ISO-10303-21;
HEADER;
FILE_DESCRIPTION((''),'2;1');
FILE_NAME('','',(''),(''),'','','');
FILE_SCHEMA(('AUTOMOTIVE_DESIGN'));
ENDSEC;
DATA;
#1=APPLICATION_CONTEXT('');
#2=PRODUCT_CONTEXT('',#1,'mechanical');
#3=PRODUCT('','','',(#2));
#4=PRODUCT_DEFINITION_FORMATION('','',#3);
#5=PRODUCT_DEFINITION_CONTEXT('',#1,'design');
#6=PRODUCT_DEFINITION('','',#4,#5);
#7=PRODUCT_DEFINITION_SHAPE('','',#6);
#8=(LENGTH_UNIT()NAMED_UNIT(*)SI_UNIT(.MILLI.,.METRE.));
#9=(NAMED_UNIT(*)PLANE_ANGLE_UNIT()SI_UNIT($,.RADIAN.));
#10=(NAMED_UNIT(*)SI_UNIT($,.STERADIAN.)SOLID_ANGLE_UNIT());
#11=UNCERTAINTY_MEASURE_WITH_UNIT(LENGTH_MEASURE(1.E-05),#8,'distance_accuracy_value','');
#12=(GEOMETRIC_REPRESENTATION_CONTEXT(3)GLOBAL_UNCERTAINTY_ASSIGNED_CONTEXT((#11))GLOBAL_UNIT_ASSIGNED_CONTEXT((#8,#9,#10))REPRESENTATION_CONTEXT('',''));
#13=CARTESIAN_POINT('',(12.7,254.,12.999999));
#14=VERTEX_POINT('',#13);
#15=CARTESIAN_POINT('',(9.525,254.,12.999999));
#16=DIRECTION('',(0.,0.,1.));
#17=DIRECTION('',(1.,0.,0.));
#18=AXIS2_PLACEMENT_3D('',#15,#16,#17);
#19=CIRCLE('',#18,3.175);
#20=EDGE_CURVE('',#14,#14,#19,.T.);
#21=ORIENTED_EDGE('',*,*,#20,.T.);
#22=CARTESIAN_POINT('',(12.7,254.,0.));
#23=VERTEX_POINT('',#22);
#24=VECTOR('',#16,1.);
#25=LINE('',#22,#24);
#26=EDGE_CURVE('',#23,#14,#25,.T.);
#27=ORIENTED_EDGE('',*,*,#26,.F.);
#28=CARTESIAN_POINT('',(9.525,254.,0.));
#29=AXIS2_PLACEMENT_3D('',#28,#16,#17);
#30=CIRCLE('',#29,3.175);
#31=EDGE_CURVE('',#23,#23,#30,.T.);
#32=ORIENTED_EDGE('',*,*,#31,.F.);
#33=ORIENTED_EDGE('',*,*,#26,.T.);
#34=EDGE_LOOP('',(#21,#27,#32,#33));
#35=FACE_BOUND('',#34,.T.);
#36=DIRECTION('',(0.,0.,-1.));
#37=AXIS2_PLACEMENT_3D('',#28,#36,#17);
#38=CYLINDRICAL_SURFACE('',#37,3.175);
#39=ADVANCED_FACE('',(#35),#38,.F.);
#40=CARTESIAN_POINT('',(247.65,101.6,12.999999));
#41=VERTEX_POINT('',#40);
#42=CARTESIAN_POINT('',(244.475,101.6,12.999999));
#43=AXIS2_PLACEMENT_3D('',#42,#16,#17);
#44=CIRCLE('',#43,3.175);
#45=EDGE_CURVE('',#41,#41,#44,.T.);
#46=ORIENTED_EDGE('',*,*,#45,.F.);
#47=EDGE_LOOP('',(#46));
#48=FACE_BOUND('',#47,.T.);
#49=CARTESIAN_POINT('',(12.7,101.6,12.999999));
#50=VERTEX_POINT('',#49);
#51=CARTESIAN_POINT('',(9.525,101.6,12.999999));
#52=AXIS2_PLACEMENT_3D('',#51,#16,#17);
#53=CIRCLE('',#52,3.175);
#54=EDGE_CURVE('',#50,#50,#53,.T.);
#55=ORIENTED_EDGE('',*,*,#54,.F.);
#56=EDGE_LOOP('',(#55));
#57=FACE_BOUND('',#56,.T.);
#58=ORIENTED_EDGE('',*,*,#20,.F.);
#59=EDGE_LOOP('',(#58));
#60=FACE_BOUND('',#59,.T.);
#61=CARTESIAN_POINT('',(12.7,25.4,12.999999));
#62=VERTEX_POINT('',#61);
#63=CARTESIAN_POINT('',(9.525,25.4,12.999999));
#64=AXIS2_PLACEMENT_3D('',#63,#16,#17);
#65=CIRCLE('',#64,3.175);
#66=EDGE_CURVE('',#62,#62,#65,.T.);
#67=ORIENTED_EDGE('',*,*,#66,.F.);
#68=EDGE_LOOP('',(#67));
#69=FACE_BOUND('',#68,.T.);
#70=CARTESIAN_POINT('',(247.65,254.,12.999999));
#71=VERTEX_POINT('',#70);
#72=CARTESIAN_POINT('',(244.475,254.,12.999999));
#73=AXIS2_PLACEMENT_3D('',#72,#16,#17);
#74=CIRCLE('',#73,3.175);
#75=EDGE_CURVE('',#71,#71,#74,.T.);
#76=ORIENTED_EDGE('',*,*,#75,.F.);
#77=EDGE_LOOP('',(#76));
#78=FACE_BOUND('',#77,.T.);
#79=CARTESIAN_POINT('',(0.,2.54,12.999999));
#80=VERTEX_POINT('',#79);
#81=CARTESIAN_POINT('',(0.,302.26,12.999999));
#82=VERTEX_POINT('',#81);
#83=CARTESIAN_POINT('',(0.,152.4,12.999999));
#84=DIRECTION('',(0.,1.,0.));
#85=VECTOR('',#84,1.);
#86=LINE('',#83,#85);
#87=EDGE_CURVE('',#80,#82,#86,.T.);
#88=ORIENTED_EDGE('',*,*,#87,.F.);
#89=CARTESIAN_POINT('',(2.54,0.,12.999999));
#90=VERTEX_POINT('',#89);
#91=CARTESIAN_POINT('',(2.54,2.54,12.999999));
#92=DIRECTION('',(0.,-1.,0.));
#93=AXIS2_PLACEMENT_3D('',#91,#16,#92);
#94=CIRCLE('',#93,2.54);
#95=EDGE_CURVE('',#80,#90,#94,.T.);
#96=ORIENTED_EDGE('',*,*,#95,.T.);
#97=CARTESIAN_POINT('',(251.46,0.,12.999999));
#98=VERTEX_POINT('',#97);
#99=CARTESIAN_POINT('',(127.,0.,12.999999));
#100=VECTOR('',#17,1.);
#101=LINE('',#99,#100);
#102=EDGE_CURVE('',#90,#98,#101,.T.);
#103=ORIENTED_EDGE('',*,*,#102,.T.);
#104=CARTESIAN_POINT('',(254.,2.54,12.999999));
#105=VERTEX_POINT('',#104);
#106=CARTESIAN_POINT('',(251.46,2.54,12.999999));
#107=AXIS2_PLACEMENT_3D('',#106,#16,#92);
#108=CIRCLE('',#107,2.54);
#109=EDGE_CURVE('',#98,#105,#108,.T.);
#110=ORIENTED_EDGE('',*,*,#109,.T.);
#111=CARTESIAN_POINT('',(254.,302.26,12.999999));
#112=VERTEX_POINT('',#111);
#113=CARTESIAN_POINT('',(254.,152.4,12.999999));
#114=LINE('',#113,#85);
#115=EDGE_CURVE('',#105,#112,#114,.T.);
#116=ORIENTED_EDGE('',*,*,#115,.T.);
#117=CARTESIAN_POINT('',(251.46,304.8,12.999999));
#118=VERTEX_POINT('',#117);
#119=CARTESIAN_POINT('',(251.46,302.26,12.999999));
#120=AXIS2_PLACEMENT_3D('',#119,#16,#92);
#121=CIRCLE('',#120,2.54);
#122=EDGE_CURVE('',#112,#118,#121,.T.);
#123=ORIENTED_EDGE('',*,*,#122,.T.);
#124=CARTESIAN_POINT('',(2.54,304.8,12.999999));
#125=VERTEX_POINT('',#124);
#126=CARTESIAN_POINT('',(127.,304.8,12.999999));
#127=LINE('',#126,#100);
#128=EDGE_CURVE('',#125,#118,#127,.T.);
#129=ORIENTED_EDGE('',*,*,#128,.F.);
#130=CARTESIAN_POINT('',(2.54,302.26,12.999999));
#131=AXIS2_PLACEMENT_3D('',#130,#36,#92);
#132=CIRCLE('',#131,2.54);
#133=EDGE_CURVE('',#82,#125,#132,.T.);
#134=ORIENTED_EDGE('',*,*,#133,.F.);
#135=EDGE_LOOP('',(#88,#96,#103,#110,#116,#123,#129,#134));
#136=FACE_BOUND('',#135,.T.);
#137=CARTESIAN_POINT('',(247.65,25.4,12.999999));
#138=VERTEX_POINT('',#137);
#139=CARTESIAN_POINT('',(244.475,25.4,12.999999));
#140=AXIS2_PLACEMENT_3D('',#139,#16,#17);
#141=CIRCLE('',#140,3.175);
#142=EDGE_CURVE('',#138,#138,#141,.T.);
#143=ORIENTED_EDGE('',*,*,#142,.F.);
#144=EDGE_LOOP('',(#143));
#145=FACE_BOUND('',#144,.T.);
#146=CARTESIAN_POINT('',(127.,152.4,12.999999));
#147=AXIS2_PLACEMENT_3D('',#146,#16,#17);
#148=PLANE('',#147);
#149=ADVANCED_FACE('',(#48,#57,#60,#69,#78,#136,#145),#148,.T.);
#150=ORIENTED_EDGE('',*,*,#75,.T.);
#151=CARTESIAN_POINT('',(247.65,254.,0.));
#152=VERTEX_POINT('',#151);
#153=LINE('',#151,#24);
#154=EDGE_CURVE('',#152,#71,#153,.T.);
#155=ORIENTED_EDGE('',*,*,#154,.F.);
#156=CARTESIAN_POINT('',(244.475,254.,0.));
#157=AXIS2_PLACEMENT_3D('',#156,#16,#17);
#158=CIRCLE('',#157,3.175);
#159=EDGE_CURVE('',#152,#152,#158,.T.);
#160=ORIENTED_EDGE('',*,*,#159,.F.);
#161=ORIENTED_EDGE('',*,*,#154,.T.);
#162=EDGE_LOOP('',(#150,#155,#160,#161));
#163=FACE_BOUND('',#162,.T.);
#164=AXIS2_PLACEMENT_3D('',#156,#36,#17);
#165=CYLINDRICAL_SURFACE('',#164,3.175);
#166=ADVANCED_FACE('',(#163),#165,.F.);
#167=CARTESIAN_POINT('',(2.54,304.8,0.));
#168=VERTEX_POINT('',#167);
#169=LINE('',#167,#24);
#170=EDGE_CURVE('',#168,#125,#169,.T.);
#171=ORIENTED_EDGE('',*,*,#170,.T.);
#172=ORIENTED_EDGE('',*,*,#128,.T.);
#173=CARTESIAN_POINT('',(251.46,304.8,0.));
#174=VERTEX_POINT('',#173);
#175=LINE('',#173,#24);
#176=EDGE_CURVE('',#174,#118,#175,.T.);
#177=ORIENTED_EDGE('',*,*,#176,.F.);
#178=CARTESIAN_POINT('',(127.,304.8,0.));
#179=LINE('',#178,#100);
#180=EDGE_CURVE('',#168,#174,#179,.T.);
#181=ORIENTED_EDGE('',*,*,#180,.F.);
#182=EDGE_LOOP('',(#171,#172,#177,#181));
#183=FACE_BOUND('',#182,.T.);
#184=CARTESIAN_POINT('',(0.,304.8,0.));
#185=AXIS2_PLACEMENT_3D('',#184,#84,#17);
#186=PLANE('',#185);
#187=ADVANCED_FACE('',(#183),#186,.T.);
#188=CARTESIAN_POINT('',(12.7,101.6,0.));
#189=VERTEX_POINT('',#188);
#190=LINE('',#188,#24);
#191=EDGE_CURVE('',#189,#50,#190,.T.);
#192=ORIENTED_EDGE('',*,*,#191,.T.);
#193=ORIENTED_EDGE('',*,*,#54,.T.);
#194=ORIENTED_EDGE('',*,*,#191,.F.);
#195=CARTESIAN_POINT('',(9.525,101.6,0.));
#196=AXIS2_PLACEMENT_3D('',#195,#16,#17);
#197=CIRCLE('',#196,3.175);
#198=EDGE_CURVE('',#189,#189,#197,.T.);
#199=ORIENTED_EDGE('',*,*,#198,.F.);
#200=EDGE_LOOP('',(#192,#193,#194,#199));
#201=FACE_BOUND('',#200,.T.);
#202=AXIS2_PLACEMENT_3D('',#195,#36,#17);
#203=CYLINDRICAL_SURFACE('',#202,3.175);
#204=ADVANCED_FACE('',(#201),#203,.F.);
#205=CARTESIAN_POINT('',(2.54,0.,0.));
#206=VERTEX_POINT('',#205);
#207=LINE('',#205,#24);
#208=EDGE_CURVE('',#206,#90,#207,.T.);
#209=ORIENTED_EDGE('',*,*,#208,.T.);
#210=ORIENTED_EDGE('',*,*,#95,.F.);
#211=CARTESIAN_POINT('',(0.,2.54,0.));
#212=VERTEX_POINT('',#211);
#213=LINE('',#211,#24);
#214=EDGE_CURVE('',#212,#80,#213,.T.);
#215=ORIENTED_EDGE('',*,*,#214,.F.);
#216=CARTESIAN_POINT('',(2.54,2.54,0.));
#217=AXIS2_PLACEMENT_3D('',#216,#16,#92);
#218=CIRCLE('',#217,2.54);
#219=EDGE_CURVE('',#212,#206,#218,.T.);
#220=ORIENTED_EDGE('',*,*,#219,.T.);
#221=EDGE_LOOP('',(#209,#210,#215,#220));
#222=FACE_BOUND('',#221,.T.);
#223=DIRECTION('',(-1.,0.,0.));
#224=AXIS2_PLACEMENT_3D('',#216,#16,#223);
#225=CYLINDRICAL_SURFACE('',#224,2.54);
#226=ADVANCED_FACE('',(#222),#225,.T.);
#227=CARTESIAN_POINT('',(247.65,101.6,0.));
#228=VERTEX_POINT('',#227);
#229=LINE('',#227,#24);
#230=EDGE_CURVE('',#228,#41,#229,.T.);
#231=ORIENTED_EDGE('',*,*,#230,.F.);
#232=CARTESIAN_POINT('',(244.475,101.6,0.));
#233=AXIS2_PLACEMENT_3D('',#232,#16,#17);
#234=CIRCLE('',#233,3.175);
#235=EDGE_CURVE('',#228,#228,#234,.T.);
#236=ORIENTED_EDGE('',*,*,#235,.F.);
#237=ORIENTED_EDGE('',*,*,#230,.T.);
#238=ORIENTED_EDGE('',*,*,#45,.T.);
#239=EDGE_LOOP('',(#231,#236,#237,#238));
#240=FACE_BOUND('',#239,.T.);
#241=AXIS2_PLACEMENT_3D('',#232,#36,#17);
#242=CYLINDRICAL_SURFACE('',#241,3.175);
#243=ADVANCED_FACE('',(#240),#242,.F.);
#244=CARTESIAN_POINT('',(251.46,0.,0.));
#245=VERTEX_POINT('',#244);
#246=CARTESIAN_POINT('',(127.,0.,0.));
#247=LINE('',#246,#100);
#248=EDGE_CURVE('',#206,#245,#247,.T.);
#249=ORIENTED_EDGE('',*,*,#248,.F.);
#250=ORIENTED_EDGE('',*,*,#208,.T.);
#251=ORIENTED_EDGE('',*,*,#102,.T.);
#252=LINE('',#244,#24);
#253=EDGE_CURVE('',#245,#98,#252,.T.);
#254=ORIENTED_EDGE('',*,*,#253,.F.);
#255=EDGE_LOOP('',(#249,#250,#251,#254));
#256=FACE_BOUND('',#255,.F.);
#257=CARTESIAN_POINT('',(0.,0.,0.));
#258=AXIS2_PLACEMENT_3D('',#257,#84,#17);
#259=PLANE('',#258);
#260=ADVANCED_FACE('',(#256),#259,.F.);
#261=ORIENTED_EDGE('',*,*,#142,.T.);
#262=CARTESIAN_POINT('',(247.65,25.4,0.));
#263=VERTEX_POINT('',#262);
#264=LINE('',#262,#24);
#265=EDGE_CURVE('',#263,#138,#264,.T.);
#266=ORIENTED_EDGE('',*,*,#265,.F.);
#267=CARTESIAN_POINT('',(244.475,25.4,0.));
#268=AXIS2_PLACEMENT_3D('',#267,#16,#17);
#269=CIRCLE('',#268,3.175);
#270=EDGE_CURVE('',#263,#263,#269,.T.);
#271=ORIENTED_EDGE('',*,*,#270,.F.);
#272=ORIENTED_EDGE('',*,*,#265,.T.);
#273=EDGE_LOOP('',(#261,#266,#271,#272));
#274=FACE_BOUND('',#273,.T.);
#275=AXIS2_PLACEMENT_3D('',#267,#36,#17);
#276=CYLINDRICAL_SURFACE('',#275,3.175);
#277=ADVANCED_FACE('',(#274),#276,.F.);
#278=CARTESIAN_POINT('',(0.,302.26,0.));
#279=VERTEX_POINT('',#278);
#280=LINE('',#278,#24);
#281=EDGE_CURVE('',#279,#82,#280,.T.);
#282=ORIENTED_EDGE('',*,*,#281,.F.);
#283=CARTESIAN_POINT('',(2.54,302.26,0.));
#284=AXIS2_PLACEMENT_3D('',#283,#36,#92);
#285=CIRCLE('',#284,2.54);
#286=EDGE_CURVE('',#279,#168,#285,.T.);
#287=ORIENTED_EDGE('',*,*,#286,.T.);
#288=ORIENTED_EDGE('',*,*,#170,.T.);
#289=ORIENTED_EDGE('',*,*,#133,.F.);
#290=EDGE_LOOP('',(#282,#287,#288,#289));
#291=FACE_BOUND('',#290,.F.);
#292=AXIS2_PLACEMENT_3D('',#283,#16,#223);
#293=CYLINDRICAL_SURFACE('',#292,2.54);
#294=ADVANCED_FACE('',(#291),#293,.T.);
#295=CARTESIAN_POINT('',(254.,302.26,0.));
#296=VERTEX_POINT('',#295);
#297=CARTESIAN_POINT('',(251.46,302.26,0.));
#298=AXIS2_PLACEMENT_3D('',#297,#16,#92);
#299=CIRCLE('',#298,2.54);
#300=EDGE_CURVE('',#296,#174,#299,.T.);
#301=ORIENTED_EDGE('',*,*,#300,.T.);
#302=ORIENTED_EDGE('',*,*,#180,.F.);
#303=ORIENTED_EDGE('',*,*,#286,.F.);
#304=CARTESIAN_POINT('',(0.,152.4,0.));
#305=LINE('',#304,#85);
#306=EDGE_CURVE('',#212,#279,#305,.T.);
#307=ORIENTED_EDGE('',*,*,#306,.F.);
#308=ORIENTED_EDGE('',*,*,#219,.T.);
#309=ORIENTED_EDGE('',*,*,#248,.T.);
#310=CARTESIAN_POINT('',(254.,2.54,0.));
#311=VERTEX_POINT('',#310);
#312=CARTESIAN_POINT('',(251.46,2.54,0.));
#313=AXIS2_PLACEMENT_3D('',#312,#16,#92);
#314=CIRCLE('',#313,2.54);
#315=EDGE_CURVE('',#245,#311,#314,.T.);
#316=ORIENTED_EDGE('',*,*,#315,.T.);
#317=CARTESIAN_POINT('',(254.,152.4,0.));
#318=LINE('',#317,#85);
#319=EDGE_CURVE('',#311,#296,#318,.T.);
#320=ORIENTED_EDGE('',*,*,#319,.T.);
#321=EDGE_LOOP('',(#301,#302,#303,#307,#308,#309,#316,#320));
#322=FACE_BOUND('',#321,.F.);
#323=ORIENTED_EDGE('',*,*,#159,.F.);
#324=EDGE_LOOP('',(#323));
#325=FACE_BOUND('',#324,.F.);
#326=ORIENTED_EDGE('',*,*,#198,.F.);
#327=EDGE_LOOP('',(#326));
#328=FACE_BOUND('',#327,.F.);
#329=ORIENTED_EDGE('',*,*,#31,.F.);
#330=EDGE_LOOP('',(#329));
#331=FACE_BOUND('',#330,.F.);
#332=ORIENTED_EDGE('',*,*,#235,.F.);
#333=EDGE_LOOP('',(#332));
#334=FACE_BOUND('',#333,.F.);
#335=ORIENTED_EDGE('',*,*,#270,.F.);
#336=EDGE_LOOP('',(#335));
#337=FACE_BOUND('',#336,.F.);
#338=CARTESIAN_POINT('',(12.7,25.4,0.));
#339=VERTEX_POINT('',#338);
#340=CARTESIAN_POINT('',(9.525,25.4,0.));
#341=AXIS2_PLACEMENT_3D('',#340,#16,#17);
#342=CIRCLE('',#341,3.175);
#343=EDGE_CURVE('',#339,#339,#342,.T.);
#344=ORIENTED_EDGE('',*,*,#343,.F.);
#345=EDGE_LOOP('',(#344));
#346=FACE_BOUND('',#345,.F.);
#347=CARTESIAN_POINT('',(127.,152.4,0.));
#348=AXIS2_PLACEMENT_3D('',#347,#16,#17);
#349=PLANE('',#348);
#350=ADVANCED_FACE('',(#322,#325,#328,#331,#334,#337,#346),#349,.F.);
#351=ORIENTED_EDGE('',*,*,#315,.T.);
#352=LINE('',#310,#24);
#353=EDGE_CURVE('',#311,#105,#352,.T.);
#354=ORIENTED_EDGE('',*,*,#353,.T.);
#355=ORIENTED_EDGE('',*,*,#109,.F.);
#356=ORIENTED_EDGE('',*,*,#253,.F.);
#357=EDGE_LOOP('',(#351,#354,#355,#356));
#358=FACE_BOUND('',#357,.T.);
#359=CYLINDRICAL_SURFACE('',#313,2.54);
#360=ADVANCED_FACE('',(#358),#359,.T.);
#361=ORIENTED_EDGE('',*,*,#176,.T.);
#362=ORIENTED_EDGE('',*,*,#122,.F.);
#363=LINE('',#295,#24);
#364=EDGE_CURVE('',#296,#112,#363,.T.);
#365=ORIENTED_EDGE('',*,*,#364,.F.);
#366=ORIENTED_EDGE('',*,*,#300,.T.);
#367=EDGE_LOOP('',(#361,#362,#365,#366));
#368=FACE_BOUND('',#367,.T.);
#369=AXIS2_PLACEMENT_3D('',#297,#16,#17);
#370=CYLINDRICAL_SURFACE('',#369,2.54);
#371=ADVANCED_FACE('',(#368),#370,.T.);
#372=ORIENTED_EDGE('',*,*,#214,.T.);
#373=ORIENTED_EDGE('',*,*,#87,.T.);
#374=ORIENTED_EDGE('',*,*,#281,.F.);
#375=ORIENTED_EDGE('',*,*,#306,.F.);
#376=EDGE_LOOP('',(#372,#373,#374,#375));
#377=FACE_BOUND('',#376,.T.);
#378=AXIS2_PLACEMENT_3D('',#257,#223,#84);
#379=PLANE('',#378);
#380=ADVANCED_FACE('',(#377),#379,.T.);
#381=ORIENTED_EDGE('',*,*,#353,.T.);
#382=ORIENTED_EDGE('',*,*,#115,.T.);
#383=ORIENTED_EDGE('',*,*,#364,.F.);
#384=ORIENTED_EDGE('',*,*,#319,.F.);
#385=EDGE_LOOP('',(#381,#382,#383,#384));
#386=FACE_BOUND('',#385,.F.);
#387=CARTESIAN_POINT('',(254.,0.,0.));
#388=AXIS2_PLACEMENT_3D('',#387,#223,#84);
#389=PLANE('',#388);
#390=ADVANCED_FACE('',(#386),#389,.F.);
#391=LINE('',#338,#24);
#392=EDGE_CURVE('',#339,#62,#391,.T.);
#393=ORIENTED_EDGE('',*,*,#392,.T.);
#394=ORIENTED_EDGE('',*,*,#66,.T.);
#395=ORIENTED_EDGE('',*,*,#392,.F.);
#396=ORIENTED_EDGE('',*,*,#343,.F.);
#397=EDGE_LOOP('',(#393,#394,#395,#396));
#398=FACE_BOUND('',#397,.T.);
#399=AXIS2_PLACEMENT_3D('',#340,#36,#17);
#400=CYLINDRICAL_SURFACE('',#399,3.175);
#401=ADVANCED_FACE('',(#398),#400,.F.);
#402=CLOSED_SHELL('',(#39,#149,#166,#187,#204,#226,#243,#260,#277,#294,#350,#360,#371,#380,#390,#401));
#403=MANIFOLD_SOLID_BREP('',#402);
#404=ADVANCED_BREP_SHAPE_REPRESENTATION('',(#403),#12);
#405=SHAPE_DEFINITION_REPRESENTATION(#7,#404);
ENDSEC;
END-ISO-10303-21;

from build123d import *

# Parameters (mm, degrees)
SKETCH_W    = 254
SKETCH_H    = 304.8
SKETCH_R    = 3.175
PAD_DEPTH   = 12.999999
FILLET_R    = 2.54
FILLET001_R = 2.54
FILLET002_R = 2.54


with BuildPart() as part:
    # Sketch → Pad (new body)
    with BuildSketch(Plane.XY):
        with Locations((127, 152.4)):
            Rectangle(SKETCH_W, SKETCH_H)
        with Locations((9.525, 25.4)):
            Circle(SKETCH_R, mode=Mode.SUBTRACT)
        with Locations((9.525, 101.6)):
            Circle(SKETCH_R, mode=Mode.SUBTRACT)
        with Locations((9.525, 254)):
            Circle(SKETCH_R, mode=Mode.SUBTRACT)
        with Locations((244.475, 254)):
            Circle(SKETCH_R, mode=Mode.SUBTRACT)
        with Locations((244.475, 101.6)):
            Circle(SKETCH_R, mode=Mode.SUBTRACT)
        with Locations((244.475, 25.4)):
            Circle(SKETCH_R, mode=Mode.SUBTRACT)
    extrude(amount=PAD_DEPTH)

    # Fillet
    fillet_edges = [part.edges().sort_by_distance(p)[0] for p in [
        (0, 0, 6.5),
    ]]
    fillet(fillet_edges, radius=FILLET_R)

    # Fillet001
    fillet001_edges = [part.edges().sort_by_distance(p)[0] for p in [
        (254, 0, 6.5),
    ]]
    fillet(fillet001_edges, radius=FILLET001_R)

    # Fillet002
    fillet002_edges = [part.edges().sort_by_distance(p)[0] for p in [
        (0, 304.8, 6.5),
        (254, 304.8, 6.5),
    ]]
    fillet(fillet002_edges, radius=FILLET002_R)


solid = part.part
